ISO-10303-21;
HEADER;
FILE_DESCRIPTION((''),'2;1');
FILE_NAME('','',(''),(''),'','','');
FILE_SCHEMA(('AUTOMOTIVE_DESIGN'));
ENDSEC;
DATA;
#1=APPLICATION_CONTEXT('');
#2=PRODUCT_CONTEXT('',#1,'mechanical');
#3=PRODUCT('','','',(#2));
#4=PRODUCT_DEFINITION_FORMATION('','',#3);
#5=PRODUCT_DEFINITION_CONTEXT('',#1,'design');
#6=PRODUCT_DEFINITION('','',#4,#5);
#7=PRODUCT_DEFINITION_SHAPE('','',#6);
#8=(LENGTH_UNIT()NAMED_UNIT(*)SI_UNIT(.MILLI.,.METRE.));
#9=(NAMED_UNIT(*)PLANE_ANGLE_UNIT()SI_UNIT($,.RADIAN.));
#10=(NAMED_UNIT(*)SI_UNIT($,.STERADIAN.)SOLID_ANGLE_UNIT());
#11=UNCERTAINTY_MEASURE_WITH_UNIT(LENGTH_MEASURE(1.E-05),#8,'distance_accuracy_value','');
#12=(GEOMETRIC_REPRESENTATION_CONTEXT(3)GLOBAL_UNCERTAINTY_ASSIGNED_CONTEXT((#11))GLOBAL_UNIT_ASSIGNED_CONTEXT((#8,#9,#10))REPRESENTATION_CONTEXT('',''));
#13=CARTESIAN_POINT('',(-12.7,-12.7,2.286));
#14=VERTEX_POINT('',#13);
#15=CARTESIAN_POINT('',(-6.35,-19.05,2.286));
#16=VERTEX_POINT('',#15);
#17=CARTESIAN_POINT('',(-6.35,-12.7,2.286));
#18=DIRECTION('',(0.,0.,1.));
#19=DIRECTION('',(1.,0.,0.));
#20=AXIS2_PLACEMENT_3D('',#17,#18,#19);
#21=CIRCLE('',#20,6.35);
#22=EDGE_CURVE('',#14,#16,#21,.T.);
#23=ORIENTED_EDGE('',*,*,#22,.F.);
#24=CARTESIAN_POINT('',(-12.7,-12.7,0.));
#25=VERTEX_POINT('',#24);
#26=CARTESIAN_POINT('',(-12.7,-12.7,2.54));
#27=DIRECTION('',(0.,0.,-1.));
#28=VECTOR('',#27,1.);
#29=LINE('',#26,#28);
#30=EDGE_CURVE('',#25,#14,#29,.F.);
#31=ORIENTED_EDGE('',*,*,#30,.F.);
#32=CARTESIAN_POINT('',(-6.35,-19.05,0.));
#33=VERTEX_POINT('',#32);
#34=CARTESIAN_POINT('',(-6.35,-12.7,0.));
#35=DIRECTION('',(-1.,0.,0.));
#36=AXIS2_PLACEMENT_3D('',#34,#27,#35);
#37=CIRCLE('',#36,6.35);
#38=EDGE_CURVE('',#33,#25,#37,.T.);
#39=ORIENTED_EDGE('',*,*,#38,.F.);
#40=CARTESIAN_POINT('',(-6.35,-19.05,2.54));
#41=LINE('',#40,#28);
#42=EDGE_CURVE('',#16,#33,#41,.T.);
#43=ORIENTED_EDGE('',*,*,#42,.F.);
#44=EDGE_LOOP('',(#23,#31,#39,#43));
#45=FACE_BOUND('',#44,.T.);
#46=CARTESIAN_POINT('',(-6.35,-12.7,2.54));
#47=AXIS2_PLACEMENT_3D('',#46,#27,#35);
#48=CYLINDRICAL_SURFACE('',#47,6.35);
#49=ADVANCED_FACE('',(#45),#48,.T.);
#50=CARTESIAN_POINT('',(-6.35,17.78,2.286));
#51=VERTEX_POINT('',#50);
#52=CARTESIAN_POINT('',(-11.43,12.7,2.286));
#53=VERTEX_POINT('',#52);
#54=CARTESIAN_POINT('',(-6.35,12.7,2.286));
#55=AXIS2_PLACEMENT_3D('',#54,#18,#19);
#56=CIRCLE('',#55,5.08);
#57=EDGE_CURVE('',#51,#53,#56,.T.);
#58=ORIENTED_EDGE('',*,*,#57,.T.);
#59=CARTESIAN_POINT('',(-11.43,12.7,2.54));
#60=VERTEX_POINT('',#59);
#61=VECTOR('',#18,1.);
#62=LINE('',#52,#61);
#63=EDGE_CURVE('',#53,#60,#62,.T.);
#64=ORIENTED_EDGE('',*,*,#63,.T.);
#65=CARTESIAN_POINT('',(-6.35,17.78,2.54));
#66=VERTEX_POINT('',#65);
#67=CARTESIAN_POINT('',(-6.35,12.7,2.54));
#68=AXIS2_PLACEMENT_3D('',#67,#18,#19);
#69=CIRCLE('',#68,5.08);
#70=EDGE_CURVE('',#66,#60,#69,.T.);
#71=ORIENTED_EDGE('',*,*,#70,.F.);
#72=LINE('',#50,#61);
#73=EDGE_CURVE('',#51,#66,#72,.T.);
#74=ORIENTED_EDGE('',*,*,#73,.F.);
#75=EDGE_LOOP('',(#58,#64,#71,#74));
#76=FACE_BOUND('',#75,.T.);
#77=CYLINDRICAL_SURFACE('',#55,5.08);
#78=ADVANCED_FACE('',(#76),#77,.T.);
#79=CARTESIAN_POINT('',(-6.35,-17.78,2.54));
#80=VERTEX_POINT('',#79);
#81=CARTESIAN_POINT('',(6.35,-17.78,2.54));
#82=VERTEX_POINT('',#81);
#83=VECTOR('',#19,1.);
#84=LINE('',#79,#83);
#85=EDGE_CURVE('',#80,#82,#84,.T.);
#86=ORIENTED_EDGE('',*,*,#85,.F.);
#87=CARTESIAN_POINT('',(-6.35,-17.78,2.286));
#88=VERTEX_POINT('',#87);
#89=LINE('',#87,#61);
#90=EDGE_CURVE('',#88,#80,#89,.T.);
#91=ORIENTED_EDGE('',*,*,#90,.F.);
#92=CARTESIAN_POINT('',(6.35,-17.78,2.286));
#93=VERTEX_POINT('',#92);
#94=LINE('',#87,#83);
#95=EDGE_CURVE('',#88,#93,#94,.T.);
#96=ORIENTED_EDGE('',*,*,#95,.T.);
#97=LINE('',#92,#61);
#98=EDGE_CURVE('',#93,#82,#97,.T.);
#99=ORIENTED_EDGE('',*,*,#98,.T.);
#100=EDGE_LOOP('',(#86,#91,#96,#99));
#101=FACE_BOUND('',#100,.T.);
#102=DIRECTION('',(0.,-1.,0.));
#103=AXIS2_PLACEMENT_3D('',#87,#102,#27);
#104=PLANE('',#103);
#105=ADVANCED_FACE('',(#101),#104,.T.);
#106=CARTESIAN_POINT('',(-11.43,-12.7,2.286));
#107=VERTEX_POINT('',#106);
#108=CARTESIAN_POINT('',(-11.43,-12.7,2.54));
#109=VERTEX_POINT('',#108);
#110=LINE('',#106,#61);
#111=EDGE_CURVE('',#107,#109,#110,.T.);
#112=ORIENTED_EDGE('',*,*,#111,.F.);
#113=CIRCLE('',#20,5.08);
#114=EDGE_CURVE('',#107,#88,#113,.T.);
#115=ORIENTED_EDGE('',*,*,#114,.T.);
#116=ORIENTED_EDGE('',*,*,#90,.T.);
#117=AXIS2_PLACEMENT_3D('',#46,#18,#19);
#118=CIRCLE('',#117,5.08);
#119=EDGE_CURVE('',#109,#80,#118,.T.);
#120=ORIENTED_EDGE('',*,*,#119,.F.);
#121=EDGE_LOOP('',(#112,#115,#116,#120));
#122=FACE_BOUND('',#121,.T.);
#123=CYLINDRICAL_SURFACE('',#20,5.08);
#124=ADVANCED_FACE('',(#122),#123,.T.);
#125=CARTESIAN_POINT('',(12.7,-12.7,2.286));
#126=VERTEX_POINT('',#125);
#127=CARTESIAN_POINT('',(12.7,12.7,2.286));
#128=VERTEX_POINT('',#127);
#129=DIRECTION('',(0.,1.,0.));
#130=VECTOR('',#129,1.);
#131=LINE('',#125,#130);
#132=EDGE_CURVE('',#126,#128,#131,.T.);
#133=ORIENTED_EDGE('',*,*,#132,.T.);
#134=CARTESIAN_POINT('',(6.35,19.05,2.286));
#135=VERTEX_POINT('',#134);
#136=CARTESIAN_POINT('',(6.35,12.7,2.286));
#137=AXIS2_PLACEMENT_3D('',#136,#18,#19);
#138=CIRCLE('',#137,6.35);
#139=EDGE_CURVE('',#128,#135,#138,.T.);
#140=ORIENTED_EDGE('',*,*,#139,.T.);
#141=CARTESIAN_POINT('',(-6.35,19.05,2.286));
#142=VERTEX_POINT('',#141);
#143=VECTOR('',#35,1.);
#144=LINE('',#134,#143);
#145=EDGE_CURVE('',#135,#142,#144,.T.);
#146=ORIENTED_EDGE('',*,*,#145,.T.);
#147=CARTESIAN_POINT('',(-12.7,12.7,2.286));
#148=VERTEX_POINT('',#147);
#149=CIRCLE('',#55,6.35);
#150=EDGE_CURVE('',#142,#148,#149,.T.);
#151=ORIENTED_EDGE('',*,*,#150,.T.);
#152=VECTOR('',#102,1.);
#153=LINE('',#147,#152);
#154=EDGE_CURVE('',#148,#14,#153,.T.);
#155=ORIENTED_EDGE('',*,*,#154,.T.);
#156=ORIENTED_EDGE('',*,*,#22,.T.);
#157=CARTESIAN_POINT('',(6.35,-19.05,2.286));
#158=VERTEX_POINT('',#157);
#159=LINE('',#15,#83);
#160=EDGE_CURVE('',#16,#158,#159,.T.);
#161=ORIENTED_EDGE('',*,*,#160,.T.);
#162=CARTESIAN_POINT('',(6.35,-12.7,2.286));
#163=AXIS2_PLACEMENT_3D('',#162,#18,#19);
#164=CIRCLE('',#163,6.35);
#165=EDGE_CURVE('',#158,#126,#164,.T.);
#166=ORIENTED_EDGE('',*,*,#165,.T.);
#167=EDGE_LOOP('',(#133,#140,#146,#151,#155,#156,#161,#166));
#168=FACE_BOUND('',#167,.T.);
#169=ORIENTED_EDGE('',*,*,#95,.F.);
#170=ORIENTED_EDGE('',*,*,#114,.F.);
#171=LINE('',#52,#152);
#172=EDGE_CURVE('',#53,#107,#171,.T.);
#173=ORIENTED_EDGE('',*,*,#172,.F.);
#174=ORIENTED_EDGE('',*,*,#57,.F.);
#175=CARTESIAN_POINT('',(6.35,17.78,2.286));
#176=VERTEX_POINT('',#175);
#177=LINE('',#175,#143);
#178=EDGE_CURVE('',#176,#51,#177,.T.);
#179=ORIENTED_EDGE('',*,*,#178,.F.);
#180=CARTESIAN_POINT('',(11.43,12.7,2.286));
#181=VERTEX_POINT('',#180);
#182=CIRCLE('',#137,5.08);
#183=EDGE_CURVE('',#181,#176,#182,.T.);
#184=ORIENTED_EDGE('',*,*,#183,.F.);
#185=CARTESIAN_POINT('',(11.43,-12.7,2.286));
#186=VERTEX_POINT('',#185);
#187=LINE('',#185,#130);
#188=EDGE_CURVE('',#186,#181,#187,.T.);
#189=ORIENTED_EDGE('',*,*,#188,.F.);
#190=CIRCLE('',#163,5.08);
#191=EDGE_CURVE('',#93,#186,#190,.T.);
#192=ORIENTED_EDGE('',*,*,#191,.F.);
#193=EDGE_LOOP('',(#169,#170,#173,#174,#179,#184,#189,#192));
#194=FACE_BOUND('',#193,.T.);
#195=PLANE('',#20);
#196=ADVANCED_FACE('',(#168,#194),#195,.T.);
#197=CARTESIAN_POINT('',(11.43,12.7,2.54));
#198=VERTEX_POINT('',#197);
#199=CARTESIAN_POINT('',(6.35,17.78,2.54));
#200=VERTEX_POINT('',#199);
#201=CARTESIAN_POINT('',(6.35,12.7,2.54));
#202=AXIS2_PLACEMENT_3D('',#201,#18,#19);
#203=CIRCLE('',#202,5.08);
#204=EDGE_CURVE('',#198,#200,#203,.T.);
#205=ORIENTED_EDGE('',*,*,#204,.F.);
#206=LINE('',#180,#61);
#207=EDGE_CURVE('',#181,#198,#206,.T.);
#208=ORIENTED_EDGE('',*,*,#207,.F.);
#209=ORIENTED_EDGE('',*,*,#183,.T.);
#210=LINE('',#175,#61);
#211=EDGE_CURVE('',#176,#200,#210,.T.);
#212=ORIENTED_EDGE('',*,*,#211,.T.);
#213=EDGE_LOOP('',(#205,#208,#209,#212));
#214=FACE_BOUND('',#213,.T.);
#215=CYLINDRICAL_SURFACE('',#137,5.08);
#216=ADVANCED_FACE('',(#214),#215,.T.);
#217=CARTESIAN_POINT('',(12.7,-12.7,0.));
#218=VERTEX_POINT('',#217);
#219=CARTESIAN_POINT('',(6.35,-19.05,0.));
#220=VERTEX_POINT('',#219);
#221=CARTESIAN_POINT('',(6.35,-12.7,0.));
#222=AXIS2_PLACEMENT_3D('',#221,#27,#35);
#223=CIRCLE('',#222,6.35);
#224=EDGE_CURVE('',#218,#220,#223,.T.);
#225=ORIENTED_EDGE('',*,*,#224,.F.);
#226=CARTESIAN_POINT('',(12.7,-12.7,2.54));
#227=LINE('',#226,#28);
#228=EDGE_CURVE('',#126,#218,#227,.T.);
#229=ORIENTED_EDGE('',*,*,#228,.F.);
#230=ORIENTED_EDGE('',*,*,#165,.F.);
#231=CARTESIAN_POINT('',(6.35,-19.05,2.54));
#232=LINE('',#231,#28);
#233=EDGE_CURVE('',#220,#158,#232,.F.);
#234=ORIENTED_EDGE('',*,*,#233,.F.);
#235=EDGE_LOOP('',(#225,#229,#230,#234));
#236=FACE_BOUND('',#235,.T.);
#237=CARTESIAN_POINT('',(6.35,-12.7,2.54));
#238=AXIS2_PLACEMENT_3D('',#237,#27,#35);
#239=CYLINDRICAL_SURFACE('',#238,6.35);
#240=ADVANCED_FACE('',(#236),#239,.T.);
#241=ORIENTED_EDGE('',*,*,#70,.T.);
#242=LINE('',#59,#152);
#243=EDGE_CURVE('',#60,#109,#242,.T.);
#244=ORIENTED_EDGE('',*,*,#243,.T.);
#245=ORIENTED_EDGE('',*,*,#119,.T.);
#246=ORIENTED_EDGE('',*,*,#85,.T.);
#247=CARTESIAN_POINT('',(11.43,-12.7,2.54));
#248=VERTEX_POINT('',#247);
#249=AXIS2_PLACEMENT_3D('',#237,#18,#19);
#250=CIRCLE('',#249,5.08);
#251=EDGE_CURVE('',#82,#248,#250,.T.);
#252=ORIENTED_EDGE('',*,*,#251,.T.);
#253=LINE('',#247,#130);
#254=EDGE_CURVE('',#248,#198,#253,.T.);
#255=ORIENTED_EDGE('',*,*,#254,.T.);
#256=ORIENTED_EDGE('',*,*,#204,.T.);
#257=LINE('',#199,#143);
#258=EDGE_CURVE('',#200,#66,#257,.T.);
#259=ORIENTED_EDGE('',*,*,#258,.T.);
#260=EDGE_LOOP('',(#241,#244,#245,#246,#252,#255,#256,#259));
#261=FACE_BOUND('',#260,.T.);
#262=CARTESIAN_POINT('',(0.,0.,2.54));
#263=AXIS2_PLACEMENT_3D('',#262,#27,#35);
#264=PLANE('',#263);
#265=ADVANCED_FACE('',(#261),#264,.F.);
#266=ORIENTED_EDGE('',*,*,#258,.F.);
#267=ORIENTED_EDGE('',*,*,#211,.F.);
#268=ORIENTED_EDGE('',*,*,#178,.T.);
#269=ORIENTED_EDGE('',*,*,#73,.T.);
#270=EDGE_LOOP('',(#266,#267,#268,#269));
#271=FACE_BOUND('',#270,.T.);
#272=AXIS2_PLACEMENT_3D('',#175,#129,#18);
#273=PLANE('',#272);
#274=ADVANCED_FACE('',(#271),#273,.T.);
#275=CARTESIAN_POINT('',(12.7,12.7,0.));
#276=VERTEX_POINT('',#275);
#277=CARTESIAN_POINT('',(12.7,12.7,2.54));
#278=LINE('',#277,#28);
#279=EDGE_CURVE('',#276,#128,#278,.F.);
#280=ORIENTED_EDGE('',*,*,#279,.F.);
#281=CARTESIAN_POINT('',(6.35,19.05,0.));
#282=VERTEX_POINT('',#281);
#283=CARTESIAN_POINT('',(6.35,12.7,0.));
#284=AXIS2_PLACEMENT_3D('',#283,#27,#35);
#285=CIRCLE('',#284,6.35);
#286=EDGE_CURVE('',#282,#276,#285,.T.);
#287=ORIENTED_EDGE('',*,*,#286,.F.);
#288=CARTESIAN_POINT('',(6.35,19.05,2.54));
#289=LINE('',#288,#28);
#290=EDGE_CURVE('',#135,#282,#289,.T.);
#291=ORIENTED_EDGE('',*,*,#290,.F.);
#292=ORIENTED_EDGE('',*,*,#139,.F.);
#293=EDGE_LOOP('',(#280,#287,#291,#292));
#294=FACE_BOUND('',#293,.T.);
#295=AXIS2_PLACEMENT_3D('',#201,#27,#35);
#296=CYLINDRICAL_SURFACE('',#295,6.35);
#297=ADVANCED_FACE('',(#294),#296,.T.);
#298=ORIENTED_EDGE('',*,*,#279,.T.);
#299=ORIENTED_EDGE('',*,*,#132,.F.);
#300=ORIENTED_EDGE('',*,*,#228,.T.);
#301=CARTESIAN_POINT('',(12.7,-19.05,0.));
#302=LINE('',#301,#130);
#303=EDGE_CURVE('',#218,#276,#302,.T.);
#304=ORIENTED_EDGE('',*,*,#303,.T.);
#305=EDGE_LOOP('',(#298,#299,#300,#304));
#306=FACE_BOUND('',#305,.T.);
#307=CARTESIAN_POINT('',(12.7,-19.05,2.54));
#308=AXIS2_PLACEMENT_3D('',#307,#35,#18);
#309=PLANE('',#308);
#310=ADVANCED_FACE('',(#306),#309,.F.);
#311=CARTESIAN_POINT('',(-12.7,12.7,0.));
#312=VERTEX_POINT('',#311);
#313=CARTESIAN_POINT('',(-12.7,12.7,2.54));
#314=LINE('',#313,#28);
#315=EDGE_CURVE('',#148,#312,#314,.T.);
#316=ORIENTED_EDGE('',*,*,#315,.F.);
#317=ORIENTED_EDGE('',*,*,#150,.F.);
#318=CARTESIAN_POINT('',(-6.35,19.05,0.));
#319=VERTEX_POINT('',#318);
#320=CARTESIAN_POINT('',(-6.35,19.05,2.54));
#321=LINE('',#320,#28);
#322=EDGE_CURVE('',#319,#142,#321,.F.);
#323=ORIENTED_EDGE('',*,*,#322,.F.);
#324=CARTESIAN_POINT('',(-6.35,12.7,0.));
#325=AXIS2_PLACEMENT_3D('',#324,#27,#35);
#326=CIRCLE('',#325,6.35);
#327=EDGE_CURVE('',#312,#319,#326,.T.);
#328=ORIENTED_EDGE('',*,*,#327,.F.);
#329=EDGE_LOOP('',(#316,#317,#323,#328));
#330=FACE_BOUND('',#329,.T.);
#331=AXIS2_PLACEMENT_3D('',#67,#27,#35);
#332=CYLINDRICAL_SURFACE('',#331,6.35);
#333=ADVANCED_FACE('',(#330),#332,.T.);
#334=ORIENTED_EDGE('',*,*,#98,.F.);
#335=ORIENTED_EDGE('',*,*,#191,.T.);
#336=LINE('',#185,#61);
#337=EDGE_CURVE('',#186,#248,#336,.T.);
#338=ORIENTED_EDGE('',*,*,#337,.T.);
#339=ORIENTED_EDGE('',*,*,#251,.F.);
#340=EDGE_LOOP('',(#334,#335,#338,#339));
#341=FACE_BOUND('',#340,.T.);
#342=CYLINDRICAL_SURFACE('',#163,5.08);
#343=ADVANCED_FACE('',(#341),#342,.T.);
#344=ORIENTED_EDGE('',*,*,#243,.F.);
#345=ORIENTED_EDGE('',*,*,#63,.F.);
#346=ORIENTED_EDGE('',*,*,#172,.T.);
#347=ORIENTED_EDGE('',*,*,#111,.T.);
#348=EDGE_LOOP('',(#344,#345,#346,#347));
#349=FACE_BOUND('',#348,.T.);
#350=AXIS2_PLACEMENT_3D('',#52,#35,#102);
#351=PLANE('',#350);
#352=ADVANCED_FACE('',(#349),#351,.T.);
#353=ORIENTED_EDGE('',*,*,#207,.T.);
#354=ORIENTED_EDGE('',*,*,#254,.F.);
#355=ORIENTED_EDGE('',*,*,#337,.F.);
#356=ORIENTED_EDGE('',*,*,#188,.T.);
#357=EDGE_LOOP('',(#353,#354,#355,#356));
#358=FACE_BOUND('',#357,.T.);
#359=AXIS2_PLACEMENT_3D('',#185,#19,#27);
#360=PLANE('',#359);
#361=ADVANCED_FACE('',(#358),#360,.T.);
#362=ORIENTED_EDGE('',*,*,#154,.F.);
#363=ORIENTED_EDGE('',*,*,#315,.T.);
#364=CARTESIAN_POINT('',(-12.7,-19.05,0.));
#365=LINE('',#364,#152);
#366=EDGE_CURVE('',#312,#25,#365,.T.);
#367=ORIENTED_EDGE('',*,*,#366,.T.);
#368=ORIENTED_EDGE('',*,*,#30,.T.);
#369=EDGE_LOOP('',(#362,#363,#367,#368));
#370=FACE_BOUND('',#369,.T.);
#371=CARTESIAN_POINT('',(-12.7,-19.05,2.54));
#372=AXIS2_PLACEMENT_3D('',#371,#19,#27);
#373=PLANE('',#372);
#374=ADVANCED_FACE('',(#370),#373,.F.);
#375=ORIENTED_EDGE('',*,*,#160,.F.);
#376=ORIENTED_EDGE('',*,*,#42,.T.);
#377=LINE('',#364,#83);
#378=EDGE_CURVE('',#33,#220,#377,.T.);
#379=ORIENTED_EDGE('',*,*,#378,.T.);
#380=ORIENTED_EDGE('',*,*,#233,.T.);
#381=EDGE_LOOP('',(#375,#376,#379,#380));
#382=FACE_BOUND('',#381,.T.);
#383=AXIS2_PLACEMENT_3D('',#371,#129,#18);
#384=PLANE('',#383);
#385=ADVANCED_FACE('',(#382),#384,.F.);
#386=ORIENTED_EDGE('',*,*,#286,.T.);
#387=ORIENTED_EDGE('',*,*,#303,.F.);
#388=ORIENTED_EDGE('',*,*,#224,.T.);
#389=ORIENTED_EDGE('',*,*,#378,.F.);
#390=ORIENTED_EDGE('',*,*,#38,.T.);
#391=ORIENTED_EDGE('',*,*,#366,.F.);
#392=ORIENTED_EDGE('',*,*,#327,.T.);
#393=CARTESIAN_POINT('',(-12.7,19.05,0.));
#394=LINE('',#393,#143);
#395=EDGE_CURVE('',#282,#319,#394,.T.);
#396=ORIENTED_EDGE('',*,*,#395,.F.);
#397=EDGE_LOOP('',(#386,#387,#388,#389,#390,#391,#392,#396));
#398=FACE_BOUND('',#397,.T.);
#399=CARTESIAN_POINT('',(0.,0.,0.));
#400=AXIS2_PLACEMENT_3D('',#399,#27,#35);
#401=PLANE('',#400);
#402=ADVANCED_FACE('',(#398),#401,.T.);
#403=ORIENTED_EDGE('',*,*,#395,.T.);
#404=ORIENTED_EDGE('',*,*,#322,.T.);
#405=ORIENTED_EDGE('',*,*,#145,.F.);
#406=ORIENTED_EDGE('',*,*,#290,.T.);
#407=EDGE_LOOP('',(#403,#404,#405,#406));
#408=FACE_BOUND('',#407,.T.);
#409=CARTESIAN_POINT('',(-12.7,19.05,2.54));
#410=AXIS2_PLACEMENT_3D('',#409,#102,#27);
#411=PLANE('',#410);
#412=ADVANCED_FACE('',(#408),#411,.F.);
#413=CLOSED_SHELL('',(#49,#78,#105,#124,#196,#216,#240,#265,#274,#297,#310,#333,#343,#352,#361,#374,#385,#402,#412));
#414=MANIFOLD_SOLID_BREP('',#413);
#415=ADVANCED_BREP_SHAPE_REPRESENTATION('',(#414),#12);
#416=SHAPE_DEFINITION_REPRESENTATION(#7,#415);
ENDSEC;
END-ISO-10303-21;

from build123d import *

# Parameters (mm, degrees)
SKETCH1_W           = 25.4
SKETCH1_H           = 38.1
BOSS_EXTRUDE1_DEPTH = 2.54
FILLET1_R           = 6.35
CUT_EXTRUDE1_DEPTH  = 0.254


with BuildPart() as part:
    # Sketch1 → Boss-Extrude1 (new body)
    with BuildSketch(Plane.XY):
        Rectangle(SKETCH1_W, SKETCH1_H)
    extrude(amount=BOSS_EXTRUDE1_DEPTH)

    # Fillet1
    fillet1_edges = [part.edges().sort_by_distance(p)[0] for p in [
        (12.7, -19.05, 1.27),
        (-12.7, -19.05, 1.27),
        (-12.7, 19.05, 1.27),
        (12.7, 19.05, 1.27),
    ]]
    fillet(fillet1_edges, radius=FILLET1_R)

    # Sketch2 → Cut-Extrude1 (cut)
    with BuildSketch(Plane.XY.offset(2.54)):
        with BuildLine():
            Line((-6.35, -19.05), (6.35, -19.05))
            ThreePointArc((6.35, -19.05), (10.840128061, -17.190128061), (12.7, -12.7))
            Line((12.7, -12.7), (12.7, 12.7))
            ThreePointArc((12.7, 12.7), (10.840128061, 17.190128061), (6.35, 19.05))
            Line((6.35, 19.05), (-6.35, 19.05))
            ThreePointArc((-6.35, 19.05), (-10.840128061, 17.190128061), (-12.7, 12.7))
            Line((-12.7, 12.7), (-12.7, -12.7))
            ThreePointArc((-12.7, -12.7), (-10.840128061, -17.190128061), (-6.35, -19.05))
        make_face()
        with BuildLine():
            Line((-11.43, 12.7), (-11.43, -12.7))
            ThreePointArc((-11.43, -12.7), (-9.942102448, -16.292102448), (-6.35, -17.78))
            Line((-6.35, -17.78), (6.35, -17.78))
            ThreePointArc((6.35, -17.78), (9.942102448, -16.292102448), (11.43, -12.7))
            Line((11.43, -12.7), (11.43, 12.7))
            ThreePointArc((11.43, 12.7), (9.942102448, 16.292102448), (6.35, 17.78))
            Line((6.35, 17.78), (-6.35, 17.78))
            ThreePointArc((-6.35, 17.78), (-9.942102448, 16.292102448), (-11.43, 12.7))
        make_face(mode=Mode.SUBTRACT)
    extrude(amount=-CUT_EXTRUDE1_DEPTH, mode=Mode.SUBTRACT)


solid = part.part
